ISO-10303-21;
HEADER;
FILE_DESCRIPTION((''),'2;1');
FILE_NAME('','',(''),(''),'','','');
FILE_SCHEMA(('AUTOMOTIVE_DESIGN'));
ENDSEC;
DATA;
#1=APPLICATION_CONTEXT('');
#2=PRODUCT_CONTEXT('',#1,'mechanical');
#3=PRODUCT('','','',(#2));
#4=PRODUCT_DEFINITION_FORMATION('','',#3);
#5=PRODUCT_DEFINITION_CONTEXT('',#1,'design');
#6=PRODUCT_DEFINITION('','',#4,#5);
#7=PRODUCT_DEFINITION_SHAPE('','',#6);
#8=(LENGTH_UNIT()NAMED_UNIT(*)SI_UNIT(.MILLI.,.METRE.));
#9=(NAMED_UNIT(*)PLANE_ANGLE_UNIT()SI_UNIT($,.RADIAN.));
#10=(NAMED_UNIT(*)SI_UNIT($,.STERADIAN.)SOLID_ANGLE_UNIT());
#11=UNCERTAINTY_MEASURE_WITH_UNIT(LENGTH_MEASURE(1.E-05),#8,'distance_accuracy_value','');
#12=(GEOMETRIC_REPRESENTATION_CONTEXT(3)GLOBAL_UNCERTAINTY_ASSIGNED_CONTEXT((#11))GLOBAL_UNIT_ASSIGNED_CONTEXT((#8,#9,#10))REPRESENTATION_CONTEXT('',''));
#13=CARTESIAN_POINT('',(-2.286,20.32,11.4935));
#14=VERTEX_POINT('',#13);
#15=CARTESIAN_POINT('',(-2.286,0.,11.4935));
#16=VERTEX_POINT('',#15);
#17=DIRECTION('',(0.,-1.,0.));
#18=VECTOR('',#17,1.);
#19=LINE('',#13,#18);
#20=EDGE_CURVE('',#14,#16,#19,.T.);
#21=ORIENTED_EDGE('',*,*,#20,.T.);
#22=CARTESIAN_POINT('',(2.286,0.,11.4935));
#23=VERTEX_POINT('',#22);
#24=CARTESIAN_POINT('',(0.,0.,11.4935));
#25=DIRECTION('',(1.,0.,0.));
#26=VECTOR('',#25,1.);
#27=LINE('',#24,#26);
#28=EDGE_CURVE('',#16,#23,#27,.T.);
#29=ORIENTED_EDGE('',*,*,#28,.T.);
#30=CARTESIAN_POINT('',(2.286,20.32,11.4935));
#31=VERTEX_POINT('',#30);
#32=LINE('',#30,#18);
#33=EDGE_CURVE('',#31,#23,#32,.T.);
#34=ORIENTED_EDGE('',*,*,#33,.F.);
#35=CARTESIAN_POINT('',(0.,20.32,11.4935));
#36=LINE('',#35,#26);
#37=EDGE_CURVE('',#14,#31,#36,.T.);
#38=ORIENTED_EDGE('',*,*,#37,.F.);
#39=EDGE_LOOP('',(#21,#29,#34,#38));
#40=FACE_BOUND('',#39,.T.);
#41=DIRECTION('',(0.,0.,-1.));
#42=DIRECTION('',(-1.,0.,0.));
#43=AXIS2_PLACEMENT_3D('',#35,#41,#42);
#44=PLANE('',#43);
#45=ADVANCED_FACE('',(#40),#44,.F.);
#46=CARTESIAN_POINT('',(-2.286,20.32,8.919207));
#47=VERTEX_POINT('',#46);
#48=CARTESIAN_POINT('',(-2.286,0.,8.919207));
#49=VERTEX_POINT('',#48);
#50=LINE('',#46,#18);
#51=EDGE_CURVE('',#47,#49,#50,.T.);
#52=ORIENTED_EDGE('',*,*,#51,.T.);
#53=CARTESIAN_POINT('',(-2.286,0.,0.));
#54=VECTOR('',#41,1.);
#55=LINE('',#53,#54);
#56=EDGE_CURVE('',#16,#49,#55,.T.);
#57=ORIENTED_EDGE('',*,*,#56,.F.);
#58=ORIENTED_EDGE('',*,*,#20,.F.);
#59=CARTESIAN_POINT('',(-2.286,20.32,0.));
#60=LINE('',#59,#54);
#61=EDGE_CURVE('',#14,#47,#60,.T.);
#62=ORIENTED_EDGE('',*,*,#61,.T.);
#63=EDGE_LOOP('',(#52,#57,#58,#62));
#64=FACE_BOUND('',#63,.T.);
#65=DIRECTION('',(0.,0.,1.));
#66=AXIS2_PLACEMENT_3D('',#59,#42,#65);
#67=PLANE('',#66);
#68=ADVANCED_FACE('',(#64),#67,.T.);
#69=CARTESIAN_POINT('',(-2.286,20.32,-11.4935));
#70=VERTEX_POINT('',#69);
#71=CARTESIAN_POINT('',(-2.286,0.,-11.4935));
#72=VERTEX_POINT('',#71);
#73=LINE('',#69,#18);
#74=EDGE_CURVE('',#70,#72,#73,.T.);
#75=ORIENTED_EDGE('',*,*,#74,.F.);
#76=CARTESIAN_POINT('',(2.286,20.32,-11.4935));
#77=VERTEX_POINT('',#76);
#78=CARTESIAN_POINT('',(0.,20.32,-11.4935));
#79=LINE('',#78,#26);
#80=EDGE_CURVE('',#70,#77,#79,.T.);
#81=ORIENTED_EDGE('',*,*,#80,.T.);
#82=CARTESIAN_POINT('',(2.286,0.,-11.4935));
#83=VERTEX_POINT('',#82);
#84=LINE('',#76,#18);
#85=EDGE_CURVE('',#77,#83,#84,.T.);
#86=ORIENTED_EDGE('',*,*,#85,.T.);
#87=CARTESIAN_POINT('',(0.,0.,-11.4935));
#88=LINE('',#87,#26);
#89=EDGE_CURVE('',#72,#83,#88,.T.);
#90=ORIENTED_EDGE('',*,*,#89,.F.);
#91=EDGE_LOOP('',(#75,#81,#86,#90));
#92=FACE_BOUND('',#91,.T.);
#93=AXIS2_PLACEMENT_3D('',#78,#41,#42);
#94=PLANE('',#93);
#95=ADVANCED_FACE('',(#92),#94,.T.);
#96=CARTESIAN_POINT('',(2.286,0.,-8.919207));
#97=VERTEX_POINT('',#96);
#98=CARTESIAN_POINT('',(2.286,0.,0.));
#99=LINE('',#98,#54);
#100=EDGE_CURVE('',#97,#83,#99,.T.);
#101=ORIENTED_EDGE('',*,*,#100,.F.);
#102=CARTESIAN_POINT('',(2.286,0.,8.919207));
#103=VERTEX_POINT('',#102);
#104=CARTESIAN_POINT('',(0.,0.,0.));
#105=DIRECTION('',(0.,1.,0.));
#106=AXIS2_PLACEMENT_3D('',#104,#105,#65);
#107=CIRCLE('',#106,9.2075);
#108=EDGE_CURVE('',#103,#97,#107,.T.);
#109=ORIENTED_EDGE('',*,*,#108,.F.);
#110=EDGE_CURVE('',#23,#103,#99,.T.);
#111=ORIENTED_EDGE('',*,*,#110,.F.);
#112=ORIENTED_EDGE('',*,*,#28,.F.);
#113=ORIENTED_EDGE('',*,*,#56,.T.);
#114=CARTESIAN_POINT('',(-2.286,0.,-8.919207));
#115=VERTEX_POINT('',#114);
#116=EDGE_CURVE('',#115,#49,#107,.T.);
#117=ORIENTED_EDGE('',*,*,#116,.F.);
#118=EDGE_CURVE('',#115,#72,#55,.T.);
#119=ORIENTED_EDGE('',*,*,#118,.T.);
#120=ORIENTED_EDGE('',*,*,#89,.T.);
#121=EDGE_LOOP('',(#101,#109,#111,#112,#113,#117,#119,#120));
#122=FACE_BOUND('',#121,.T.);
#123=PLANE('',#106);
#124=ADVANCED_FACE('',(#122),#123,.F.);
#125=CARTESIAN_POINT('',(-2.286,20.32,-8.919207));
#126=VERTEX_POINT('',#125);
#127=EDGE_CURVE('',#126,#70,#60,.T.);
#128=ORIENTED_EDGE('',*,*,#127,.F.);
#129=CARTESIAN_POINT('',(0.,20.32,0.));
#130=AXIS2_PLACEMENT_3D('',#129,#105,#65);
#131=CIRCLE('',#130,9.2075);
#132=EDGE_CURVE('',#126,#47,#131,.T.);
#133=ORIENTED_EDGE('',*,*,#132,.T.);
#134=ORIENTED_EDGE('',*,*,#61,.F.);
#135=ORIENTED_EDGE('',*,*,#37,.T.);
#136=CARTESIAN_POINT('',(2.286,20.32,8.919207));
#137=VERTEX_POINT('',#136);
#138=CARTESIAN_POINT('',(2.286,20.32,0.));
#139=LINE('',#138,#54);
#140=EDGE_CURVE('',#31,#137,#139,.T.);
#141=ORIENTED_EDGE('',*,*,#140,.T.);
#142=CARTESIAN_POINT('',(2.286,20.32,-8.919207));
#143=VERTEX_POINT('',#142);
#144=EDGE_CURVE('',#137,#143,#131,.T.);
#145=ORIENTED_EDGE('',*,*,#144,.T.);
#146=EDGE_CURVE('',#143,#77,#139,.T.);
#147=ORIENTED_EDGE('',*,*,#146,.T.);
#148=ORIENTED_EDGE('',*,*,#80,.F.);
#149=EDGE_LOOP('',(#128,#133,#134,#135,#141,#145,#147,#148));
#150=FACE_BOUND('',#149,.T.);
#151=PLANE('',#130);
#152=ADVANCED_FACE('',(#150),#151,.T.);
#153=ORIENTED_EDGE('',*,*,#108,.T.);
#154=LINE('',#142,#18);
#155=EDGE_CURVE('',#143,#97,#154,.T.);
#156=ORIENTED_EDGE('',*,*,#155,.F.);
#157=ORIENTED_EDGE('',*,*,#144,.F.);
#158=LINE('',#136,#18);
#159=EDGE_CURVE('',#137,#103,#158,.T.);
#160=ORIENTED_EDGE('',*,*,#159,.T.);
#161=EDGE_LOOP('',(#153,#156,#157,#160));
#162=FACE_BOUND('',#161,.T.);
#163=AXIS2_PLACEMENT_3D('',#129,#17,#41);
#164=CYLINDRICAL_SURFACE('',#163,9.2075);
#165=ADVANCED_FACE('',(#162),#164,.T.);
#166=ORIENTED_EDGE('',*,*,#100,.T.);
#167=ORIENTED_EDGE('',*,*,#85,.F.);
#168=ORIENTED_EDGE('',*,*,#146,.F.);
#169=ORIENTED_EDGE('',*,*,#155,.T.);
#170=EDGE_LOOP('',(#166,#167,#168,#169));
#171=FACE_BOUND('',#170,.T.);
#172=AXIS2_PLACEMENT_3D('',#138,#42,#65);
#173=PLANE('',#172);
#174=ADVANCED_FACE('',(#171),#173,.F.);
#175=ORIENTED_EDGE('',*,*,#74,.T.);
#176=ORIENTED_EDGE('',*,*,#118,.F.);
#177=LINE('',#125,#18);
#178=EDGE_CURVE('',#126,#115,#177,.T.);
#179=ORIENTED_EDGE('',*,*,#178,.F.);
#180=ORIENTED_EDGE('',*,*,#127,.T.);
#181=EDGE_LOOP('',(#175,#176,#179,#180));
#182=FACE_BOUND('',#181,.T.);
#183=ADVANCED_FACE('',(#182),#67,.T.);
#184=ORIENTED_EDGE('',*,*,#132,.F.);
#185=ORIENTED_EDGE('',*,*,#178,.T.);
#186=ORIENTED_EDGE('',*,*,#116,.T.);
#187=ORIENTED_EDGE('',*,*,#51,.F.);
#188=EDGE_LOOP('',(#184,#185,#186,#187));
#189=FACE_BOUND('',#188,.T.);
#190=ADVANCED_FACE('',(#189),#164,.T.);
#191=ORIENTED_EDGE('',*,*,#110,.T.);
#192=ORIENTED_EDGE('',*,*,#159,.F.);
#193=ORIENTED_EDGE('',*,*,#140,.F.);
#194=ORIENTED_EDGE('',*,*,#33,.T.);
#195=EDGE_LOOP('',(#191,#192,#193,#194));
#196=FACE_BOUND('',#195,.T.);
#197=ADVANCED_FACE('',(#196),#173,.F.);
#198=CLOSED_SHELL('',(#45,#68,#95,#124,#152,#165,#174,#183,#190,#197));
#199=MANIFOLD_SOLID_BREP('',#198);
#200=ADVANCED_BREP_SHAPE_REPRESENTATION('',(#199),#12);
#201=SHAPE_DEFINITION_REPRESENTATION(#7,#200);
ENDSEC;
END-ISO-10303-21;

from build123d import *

# Parameters (mm, degrees)
BOSS_EXTRUDE1_DEPTH = 20.32


with BuildPart() as part:
    # Sketch1 → Boss-Extrude1 (new body)
    with BuildSketch(Plane(origin=(0, 0, 0), x_dir=(1, 0, 0), z_dir=(0, 1, 0))):
        with BuildLine():
            Line((-2.286, 11.4935), (-2.286, 8.919207378))
            ThreePointArc((-2.286, 8.919207378), (0, 9.2075), (2.286, 8.919207378))
            Line((2.286, 8.919207378), (2.286, 11.4935))
            Line((2.286, 11.4935), (-2.286, 11.4935))
        make_face()
        with BuildLine():
            Line((-2.286, 8.919207378), (-2.286, 6.9215))
            Line((-2.286, 6.9215), (2.286, 6.9215))
            Line((2.286, 6.9215), (2.286, 8.919207378))
            ThreePointArc((2.286, 8.919207378), (0, 9.2075), (-2.286, 8.919207378))
        make_face()
        with BuildLine():
            Line((2.286, 6.9215), (-2.286, 6.9215))
            Line((-2.286, 6.9215), (-2.286, 8.919207378))
            ThreePointArc((-2.286, 8.919207378), (-9.2075, 0), (-2.286, -8.919207378))
            Line((-2.286, -8.919207378), (-2.286, -6.9215))
            Line((-2.286, -6.9215), (2.286, -6.9215))
            Line((2.286, -6.9215), (2.286, -8.919207378))
            ThreePointArc((2.286, -8.919207378), (7.274146041, -5.644896423), (9.2075, 0))
            ThreePointArc((9.2075, 0), (7.274146041, 5.644896423), (2.286, 8.919207378))
            Line((2.286, 8.919207378), (2.286, 6.9215))
        make_face()
        with BuildLine():
            Line((-2.286, -6.9215), (-2.286, -8.919207378))
            ThreePointArc((-2.286, -8.919207378), (0, -9.2075), (2.286, -8.919207378))
            Line((2.286, -8.919207378), (2.286, -6.9215))
            Line((2.286, -6.9215), (-2.286, -6.9215))
        make_face()
        with BuildLine():
            ThreePointArc((2.286, -8.919207378), (0, -9.2075), (-2.286, -8.919207378))
            Line((-2.286, -8.919207378), (-2.286, -11.4935))
            Line((-2.286, -11.4935), (2.286, -11.4935))
            Line((2.286, -11.4935), (2.286, -8.919207378))
        make_face()
    extrude(amount=BOSS_EXTRUDE1_DEPTH)


solid = part.part
